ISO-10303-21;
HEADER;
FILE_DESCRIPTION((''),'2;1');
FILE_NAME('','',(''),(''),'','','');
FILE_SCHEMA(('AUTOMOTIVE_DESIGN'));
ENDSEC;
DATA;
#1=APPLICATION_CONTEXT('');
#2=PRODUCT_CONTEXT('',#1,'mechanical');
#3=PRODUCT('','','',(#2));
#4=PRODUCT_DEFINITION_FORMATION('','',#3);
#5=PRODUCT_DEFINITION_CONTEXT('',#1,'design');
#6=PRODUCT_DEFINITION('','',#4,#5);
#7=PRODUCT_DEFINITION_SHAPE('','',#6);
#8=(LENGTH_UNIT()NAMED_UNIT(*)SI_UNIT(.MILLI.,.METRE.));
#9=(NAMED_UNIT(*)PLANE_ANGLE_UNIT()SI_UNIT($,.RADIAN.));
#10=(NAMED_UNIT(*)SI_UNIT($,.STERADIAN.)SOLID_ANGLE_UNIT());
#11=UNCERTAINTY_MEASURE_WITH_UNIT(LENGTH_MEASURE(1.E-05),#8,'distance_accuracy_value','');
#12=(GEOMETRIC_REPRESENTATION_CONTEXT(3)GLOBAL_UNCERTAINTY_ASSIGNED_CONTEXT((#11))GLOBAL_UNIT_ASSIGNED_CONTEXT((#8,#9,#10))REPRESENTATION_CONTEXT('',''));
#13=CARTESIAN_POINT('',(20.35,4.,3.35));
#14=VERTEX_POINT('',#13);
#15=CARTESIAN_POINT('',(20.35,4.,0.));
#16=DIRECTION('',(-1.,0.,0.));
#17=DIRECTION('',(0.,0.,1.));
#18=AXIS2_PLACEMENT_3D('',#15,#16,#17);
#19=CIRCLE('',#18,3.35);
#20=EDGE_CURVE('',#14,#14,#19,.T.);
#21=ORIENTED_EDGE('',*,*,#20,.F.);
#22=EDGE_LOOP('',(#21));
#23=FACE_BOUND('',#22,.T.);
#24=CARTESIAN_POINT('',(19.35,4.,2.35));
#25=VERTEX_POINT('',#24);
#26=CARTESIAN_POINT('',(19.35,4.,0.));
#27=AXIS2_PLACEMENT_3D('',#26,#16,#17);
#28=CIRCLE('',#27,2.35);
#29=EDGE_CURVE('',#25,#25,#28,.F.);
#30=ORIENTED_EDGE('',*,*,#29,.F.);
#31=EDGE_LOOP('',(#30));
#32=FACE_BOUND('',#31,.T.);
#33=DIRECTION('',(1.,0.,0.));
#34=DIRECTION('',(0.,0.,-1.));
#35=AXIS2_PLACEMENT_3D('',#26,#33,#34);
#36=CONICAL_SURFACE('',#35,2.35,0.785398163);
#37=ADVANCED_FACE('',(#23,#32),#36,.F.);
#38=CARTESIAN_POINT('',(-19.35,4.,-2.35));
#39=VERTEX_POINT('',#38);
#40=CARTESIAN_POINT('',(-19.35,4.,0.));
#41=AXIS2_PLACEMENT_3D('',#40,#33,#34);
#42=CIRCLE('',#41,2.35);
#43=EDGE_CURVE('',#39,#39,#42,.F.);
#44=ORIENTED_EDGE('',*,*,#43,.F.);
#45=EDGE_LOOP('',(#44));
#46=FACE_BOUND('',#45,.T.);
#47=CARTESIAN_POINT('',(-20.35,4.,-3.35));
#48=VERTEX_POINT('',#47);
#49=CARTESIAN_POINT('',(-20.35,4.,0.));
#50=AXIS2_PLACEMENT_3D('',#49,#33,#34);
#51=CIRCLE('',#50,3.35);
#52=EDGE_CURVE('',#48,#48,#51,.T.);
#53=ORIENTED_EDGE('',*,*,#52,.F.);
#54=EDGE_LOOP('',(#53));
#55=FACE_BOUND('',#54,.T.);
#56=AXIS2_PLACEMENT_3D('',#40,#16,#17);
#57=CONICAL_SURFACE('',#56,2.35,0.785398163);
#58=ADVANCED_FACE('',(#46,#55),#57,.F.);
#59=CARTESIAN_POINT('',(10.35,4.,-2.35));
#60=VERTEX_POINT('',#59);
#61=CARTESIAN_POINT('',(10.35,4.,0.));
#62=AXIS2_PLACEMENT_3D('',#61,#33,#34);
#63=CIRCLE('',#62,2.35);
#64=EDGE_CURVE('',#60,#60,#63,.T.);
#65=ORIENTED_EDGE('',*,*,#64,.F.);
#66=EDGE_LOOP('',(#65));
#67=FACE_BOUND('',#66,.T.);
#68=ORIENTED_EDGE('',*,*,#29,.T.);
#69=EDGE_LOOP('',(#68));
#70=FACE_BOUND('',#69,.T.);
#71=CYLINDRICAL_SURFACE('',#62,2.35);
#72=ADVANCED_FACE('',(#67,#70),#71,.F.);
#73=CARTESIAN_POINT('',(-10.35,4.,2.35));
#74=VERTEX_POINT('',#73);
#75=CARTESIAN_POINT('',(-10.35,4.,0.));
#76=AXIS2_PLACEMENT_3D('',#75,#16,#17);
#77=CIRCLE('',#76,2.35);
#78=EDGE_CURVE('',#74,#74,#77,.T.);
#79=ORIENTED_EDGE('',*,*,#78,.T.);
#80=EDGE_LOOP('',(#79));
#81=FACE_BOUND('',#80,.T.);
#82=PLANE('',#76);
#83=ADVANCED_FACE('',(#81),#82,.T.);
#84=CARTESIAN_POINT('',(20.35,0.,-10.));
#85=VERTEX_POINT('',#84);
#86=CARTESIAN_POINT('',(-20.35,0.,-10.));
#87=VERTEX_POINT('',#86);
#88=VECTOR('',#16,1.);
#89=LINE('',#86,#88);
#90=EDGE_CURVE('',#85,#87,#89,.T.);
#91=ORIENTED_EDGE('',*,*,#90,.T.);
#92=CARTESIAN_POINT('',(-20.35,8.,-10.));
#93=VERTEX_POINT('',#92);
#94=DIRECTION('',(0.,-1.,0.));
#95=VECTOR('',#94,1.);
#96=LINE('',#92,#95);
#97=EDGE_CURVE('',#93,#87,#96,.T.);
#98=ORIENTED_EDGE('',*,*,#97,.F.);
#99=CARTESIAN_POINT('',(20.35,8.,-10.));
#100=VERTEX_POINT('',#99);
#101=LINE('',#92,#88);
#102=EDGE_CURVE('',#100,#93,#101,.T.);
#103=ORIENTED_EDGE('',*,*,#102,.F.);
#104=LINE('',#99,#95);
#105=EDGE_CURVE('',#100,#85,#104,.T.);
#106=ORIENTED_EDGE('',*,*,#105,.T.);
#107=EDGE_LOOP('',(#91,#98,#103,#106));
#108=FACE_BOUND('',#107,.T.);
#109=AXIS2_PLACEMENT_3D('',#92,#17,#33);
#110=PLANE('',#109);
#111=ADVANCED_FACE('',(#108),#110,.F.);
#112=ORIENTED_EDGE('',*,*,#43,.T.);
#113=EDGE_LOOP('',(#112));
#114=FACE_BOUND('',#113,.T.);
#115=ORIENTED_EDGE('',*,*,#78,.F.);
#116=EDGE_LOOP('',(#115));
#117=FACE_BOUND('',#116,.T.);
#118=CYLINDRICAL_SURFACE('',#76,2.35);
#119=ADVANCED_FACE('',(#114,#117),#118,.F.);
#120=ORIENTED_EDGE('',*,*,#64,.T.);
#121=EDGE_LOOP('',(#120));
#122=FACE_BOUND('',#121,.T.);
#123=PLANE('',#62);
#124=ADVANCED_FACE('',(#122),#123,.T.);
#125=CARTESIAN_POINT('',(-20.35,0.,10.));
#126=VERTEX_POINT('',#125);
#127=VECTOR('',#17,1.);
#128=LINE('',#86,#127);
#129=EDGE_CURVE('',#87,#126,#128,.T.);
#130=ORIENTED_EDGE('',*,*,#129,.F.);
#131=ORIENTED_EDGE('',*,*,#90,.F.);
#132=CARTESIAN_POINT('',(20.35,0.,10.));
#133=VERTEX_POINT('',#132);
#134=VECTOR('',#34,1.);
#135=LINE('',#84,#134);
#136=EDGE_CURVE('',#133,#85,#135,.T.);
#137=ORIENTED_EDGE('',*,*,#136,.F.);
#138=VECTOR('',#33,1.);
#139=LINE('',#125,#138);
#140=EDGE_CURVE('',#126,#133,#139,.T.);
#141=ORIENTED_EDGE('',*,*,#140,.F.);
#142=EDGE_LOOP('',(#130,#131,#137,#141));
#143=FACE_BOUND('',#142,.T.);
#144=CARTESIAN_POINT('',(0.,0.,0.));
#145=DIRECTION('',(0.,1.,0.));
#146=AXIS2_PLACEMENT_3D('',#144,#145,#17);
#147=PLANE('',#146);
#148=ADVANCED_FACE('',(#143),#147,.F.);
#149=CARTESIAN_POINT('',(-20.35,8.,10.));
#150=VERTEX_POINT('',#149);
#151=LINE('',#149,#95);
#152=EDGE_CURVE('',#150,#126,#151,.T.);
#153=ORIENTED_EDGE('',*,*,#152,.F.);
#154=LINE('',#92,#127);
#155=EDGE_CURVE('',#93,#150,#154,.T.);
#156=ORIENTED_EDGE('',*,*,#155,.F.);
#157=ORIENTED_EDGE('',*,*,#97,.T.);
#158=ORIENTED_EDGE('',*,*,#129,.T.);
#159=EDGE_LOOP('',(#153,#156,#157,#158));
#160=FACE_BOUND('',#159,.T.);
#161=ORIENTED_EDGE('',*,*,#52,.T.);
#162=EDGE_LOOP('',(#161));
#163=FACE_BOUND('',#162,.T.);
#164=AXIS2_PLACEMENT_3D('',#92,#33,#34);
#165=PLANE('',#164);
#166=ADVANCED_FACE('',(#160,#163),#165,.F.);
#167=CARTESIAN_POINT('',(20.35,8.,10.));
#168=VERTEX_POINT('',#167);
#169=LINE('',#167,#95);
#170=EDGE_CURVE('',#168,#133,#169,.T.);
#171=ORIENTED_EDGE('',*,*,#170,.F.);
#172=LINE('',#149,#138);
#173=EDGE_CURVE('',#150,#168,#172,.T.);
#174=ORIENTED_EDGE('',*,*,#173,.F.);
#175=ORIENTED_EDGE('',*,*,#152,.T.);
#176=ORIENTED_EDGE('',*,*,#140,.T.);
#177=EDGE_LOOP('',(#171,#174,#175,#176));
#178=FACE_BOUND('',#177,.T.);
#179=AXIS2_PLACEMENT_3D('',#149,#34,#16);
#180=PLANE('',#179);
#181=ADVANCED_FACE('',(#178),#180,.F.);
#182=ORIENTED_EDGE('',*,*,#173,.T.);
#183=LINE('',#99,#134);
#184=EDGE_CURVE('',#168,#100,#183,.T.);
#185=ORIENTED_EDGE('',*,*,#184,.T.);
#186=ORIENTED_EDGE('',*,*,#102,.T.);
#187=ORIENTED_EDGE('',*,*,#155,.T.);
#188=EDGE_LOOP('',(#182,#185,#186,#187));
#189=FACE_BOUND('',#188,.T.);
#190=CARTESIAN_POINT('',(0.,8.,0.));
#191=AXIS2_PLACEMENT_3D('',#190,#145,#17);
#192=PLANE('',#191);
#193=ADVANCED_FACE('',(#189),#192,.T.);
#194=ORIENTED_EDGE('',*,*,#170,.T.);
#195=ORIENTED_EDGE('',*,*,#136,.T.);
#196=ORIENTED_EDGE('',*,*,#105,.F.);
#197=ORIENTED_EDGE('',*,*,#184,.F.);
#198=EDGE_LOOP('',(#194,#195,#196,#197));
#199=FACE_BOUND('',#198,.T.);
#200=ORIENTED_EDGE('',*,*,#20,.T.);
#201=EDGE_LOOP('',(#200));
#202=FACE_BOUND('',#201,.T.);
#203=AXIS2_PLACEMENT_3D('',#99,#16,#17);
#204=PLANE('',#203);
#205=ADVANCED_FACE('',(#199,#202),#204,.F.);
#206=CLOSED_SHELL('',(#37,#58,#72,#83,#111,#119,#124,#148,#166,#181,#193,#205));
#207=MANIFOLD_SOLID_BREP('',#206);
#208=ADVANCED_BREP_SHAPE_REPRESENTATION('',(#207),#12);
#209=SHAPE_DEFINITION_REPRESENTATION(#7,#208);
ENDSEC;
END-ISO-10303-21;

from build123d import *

# Parameters (mm, degrees)
SKETCH1_W           = 40.7
SKETCH1_H           = 20
BOSS_EXTRUDE1_DEPTH = 8
SKETCH2_R           = 2.35
CUT_EXTRUDE1_DEPTH  = 10
CUT_EXTRUDE2_START  = -10
SKETCH3_R           = 2.35
CUT_EXTRUDE2_DEPTH  = 10
CHAMFER1_SIZE       = 1


with BuildPart() as part:
    # Sketch1 → Boss-Extrude1 (new body)
    with BuildSketch(Plane(origin=(0, 0, 0), x_dir=(1, 0, 0), z_dir=(0, 1, 0))):
        Rectangle(SKETCH1_W, SKETCH1_H)
    extrude(amount=BOSS_EXTRUDE1_DEPTH)

    # Sketch2 → Cut-Extrude1 (cut)
    with BuildSketch(Plane(origin=(20.35, 0, 0), x_dir=(0, 0, -1), z_dir=(1, 0, 0))):
        with Locations((0, 4)):
            Circle(SKETCH2_R)
    extrude(amount=-CUT_EXTRUDE1_DEPTH, mode=Mode.SUBTRACT)

    # Sketch3 → Cut-Extrude2 (cut)
    with BuildSketch(Plane.ZY.offset(20.35).offset(CUT_EXTRUDE2_START)):
        with Locations(Location((0, 4, 0), (0, 0, 180))):
            Circle(SKETCH3_R)
    extrude(amount=CUT_EXTRUDE2_DEPTH, mode=Mode.SUBTRACT)

    # Chamfer1
    chamfer1_edges = [part.edges().sort_by_distance(p)[0] for p in [
        (20.35, 4, 2.35),
        (-20.35, 4, 2.35),
    ]]
    chamfer(chamfer1_edges, length=CHAMFER1_SIZE)


solid = part.part
